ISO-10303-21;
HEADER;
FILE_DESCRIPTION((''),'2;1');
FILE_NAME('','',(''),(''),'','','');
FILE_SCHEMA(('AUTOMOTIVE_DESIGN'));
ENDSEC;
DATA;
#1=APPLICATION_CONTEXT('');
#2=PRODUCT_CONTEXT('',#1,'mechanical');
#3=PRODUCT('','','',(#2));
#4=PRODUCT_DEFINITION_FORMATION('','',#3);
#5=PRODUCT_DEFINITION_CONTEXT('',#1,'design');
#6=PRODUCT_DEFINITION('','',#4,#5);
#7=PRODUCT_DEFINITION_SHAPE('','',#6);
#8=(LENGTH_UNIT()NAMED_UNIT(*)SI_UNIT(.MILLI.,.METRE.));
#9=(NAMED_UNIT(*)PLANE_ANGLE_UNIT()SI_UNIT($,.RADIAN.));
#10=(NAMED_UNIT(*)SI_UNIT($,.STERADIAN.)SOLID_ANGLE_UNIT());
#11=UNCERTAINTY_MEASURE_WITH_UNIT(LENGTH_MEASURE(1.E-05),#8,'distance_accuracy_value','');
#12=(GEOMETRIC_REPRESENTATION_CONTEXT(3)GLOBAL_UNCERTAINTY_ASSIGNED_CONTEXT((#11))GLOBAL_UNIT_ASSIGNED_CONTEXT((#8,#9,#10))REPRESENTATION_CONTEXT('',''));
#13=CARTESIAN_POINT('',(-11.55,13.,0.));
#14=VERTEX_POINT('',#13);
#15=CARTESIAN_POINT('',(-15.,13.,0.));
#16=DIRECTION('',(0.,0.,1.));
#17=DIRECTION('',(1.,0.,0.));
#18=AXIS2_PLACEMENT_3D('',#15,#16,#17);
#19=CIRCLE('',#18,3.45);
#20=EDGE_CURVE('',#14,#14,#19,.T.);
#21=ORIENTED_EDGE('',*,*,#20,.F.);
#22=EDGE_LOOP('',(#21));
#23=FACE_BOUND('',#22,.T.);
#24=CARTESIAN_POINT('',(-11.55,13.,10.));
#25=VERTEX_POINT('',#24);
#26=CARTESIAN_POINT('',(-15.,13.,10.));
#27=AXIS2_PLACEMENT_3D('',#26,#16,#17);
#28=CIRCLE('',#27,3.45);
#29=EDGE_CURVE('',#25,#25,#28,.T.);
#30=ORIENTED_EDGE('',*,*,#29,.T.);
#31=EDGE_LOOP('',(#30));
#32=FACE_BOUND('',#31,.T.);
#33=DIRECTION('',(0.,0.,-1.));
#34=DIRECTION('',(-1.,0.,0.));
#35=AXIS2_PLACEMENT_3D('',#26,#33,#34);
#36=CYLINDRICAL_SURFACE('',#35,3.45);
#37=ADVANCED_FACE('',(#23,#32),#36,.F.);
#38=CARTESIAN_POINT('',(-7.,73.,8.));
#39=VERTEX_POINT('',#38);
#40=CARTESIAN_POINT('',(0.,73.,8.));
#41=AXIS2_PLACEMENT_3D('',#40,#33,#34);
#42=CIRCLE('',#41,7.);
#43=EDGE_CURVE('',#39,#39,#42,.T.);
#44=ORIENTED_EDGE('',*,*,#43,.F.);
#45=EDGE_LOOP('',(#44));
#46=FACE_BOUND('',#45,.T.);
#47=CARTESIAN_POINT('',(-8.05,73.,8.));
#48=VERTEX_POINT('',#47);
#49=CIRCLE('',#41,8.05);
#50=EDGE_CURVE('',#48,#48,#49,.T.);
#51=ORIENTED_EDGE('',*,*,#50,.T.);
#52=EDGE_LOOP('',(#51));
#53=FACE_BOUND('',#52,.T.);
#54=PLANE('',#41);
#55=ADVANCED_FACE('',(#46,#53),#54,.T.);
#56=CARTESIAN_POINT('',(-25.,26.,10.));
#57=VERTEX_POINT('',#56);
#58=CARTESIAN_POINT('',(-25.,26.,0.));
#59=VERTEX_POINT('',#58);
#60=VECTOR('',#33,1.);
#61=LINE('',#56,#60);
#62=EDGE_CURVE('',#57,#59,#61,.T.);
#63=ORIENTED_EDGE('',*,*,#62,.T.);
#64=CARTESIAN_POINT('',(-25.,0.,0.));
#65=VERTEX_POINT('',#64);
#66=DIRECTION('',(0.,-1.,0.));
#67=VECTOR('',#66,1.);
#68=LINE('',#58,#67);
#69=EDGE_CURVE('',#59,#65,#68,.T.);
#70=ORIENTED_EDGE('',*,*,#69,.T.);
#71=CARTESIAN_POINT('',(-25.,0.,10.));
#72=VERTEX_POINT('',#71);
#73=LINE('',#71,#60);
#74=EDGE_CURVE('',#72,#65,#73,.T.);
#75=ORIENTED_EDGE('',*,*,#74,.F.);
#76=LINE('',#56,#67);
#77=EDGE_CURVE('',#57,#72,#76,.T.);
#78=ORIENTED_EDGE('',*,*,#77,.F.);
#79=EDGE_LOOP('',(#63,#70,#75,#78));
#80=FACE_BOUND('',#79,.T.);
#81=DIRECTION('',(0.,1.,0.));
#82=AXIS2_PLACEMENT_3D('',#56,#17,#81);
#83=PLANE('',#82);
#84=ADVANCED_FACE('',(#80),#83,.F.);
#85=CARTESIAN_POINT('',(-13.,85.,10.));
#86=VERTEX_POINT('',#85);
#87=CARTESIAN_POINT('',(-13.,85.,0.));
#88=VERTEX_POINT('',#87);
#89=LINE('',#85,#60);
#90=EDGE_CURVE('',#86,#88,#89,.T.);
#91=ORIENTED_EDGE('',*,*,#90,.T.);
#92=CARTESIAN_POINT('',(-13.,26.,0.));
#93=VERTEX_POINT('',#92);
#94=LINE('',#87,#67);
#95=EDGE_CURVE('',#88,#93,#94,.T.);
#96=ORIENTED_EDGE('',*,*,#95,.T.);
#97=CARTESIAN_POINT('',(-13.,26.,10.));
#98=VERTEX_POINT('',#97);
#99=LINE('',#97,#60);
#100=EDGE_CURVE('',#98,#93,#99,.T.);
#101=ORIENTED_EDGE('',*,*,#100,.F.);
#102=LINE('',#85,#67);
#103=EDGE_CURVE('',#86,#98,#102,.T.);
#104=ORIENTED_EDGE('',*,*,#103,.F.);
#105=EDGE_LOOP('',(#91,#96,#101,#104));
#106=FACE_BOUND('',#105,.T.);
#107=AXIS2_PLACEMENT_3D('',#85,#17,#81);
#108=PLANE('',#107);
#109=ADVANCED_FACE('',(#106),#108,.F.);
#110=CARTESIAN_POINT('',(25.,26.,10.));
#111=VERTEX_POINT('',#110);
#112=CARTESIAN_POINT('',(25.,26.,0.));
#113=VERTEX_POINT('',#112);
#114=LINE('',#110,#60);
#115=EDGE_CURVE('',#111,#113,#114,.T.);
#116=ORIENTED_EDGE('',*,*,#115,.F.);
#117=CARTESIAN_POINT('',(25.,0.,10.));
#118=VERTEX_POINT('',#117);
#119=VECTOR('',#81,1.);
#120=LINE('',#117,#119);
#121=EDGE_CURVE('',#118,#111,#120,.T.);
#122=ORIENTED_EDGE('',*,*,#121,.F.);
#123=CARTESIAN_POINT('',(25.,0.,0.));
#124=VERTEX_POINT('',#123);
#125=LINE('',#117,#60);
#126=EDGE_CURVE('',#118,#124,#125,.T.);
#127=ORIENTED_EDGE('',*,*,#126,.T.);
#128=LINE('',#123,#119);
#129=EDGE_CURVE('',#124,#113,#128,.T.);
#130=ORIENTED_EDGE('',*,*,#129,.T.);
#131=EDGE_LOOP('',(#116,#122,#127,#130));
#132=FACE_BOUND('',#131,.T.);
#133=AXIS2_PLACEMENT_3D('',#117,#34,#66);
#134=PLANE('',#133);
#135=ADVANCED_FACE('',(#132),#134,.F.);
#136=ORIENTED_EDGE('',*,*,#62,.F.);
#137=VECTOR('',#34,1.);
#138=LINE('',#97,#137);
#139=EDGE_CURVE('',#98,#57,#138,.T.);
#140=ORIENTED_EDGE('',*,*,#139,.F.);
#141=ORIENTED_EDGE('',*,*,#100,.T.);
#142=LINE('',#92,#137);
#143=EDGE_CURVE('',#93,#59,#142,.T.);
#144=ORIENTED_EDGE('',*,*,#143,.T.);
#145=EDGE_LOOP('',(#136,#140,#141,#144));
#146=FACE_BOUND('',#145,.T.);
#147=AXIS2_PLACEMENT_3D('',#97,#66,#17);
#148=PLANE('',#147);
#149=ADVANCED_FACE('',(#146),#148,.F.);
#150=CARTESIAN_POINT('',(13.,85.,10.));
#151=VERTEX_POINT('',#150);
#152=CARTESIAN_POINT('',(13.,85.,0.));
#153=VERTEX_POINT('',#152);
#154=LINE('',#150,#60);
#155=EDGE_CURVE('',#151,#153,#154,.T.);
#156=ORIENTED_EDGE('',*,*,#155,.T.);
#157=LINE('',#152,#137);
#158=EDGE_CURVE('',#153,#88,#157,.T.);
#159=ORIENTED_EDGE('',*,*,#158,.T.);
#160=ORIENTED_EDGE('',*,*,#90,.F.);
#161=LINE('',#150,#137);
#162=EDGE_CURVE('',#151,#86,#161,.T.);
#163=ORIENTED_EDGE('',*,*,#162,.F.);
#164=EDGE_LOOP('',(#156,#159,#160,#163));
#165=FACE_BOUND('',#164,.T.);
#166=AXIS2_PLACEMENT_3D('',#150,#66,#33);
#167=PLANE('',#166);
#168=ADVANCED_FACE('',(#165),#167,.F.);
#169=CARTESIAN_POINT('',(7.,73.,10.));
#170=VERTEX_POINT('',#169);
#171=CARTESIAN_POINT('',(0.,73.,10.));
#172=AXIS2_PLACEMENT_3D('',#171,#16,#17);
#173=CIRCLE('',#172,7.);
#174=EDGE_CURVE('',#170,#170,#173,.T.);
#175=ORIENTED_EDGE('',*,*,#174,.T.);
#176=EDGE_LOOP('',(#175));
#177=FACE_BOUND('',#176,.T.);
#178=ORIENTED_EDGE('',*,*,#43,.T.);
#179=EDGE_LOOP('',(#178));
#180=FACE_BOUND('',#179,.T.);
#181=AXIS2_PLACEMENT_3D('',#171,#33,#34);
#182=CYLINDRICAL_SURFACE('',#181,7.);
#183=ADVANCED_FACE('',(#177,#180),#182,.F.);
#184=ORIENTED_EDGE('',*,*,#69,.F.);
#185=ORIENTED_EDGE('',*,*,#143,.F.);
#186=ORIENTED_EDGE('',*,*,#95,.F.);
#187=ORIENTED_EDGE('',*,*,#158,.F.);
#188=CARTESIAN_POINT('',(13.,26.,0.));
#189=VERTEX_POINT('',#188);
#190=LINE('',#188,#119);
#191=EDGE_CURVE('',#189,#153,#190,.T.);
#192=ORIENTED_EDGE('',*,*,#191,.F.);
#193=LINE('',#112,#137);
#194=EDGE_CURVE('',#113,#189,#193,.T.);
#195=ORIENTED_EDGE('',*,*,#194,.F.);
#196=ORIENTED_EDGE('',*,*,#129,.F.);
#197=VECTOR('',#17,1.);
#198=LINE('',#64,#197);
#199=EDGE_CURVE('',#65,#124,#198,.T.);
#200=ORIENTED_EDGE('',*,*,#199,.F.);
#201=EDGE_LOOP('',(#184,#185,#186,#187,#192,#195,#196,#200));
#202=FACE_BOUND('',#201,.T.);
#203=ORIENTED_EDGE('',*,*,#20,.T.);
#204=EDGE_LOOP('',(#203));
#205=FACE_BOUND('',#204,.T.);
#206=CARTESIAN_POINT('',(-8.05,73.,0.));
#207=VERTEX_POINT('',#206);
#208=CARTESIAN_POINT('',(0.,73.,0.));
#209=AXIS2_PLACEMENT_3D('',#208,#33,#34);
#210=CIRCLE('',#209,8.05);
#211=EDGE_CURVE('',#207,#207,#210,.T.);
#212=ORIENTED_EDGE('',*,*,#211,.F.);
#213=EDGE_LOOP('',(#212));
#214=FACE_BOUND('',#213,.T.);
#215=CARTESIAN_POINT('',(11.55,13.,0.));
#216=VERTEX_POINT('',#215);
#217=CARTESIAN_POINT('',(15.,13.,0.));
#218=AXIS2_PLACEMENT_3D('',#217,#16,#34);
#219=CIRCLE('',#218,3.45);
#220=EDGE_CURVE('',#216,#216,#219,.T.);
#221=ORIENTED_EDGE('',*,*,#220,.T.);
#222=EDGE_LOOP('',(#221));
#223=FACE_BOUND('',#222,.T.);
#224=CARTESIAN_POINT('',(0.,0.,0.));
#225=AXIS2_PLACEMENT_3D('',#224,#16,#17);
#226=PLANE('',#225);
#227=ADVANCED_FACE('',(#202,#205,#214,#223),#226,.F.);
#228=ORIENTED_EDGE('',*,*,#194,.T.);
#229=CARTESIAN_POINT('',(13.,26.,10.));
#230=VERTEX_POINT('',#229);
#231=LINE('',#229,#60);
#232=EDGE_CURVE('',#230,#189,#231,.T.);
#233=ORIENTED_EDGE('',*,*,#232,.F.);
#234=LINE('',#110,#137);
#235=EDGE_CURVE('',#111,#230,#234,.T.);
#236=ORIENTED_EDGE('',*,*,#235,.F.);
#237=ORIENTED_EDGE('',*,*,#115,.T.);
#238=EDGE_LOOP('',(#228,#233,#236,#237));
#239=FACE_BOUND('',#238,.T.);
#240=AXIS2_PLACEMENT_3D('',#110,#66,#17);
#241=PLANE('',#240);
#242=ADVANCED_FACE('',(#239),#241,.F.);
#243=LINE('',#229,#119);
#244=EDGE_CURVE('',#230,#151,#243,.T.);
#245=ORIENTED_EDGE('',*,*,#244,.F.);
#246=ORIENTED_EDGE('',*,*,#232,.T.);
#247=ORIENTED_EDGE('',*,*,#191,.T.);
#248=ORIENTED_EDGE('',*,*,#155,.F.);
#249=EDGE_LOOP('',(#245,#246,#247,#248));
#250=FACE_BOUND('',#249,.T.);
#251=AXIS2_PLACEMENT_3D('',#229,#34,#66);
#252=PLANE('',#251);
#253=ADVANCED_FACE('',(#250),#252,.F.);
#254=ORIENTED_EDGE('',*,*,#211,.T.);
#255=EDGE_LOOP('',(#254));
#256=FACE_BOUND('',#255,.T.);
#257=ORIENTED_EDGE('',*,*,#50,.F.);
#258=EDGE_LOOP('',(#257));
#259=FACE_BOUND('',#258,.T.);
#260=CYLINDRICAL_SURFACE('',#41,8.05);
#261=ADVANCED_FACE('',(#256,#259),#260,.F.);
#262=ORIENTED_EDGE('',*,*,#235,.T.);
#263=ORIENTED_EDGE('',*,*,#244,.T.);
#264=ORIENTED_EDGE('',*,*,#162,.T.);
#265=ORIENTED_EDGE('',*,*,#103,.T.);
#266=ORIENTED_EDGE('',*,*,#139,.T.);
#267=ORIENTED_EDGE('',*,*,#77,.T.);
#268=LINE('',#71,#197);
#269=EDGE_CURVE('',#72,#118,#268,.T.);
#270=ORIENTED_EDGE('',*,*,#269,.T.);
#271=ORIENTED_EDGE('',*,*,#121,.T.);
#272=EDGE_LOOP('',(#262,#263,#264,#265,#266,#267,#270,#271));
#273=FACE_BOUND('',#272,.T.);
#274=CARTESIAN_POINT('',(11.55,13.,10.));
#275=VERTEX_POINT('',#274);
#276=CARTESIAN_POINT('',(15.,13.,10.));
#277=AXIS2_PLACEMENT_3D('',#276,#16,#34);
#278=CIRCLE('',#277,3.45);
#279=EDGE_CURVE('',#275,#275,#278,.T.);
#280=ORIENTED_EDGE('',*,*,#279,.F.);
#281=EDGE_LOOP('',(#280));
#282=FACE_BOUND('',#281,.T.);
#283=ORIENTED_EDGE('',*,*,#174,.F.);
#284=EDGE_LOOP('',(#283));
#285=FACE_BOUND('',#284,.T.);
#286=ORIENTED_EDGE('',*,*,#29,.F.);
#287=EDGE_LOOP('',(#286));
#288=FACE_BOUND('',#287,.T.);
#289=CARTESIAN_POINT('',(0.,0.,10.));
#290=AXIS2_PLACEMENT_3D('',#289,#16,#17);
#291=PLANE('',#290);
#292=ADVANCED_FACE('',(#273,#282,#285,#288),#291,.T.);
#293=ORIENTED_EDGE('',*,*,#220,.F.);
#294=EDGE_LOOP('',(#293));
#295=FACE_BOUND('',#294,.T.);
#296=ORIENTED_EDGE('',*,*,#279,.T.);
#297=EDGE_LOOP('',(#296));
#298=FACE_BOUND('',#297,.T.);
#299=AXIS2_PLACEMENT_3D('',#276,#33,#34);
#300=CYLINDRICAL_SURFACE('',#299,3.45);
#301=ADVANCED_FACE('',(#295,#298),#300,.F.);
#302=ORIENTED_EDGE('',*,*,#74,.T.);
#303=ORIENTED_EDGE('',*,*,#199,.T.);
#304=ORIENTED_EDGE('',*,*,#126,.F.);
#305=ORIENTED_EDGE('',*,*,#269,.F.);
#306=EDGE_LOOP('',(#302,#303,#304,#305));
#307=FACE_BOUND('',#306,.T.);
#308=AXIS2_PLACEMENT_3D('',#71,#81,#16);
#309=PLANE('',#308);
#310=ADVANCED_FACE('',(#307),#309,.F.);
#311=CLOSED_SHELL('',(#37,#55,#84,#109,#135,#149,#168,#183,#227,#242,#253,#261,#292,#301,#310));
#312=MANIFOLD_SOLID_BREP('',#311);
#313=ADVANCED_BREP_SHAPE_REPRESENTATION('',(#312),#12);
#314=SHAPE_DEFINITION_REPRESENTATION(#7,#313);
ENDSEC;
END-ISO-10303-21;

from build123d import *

# Parameters (mm, degrees)
SKETCH_1_R          = 7
SKETCH_1_R_2        = 3.45
EXTRUDE_1_DEPTH     = 10
SKETCH_2_R          = 8.05
SKETCH_2_R_2        = 4
CUT_EXTRUDE_1_DEPTH = 8


with BuildPart() as part:
    # 草图1 → 凸台-拉伸1 (new body)
    with BuildSketch(Plane.XY):
        Polygon((-25, 0), (25, 0), (25, 26), (13, 26), (13, 85), (-13, 85), (-13, 26), (-25, 26), align=None)
        with Locations((0, 73)):
            Circle(SKETCH_1_R, mode=Mode.SUBTRACT)
        with Locations((-15, 13)):
            Circle(SKETCH_1_R_2, mode=Mode.SUBTRACT)
        with Locations((15, 13)):
            Circle(SKETCH_1_R_2, mode=Mode.SUBTRACT)
    extrude(amount=EXTRUDE_1_DEPTH)

    # 草图2 → 切除-拉伸1 (cut)
    with BuildSketch(Plane(origin=(0, 0, 0), x_dir=(-1, 0, 0), z_dir=(0, 0, -1))):
        with Locations((0, 73)):
            Circle(SKETCH_2_R)
        with Locations((0, 73)):
            Circle(SKETCH_2_R_2, mode=Mode.SUBTRACT)
    extrude(amount=-CUT_EXTRUDE_1_DEPTH, mode=Mode.SUBTRACT)


solid = part.part
